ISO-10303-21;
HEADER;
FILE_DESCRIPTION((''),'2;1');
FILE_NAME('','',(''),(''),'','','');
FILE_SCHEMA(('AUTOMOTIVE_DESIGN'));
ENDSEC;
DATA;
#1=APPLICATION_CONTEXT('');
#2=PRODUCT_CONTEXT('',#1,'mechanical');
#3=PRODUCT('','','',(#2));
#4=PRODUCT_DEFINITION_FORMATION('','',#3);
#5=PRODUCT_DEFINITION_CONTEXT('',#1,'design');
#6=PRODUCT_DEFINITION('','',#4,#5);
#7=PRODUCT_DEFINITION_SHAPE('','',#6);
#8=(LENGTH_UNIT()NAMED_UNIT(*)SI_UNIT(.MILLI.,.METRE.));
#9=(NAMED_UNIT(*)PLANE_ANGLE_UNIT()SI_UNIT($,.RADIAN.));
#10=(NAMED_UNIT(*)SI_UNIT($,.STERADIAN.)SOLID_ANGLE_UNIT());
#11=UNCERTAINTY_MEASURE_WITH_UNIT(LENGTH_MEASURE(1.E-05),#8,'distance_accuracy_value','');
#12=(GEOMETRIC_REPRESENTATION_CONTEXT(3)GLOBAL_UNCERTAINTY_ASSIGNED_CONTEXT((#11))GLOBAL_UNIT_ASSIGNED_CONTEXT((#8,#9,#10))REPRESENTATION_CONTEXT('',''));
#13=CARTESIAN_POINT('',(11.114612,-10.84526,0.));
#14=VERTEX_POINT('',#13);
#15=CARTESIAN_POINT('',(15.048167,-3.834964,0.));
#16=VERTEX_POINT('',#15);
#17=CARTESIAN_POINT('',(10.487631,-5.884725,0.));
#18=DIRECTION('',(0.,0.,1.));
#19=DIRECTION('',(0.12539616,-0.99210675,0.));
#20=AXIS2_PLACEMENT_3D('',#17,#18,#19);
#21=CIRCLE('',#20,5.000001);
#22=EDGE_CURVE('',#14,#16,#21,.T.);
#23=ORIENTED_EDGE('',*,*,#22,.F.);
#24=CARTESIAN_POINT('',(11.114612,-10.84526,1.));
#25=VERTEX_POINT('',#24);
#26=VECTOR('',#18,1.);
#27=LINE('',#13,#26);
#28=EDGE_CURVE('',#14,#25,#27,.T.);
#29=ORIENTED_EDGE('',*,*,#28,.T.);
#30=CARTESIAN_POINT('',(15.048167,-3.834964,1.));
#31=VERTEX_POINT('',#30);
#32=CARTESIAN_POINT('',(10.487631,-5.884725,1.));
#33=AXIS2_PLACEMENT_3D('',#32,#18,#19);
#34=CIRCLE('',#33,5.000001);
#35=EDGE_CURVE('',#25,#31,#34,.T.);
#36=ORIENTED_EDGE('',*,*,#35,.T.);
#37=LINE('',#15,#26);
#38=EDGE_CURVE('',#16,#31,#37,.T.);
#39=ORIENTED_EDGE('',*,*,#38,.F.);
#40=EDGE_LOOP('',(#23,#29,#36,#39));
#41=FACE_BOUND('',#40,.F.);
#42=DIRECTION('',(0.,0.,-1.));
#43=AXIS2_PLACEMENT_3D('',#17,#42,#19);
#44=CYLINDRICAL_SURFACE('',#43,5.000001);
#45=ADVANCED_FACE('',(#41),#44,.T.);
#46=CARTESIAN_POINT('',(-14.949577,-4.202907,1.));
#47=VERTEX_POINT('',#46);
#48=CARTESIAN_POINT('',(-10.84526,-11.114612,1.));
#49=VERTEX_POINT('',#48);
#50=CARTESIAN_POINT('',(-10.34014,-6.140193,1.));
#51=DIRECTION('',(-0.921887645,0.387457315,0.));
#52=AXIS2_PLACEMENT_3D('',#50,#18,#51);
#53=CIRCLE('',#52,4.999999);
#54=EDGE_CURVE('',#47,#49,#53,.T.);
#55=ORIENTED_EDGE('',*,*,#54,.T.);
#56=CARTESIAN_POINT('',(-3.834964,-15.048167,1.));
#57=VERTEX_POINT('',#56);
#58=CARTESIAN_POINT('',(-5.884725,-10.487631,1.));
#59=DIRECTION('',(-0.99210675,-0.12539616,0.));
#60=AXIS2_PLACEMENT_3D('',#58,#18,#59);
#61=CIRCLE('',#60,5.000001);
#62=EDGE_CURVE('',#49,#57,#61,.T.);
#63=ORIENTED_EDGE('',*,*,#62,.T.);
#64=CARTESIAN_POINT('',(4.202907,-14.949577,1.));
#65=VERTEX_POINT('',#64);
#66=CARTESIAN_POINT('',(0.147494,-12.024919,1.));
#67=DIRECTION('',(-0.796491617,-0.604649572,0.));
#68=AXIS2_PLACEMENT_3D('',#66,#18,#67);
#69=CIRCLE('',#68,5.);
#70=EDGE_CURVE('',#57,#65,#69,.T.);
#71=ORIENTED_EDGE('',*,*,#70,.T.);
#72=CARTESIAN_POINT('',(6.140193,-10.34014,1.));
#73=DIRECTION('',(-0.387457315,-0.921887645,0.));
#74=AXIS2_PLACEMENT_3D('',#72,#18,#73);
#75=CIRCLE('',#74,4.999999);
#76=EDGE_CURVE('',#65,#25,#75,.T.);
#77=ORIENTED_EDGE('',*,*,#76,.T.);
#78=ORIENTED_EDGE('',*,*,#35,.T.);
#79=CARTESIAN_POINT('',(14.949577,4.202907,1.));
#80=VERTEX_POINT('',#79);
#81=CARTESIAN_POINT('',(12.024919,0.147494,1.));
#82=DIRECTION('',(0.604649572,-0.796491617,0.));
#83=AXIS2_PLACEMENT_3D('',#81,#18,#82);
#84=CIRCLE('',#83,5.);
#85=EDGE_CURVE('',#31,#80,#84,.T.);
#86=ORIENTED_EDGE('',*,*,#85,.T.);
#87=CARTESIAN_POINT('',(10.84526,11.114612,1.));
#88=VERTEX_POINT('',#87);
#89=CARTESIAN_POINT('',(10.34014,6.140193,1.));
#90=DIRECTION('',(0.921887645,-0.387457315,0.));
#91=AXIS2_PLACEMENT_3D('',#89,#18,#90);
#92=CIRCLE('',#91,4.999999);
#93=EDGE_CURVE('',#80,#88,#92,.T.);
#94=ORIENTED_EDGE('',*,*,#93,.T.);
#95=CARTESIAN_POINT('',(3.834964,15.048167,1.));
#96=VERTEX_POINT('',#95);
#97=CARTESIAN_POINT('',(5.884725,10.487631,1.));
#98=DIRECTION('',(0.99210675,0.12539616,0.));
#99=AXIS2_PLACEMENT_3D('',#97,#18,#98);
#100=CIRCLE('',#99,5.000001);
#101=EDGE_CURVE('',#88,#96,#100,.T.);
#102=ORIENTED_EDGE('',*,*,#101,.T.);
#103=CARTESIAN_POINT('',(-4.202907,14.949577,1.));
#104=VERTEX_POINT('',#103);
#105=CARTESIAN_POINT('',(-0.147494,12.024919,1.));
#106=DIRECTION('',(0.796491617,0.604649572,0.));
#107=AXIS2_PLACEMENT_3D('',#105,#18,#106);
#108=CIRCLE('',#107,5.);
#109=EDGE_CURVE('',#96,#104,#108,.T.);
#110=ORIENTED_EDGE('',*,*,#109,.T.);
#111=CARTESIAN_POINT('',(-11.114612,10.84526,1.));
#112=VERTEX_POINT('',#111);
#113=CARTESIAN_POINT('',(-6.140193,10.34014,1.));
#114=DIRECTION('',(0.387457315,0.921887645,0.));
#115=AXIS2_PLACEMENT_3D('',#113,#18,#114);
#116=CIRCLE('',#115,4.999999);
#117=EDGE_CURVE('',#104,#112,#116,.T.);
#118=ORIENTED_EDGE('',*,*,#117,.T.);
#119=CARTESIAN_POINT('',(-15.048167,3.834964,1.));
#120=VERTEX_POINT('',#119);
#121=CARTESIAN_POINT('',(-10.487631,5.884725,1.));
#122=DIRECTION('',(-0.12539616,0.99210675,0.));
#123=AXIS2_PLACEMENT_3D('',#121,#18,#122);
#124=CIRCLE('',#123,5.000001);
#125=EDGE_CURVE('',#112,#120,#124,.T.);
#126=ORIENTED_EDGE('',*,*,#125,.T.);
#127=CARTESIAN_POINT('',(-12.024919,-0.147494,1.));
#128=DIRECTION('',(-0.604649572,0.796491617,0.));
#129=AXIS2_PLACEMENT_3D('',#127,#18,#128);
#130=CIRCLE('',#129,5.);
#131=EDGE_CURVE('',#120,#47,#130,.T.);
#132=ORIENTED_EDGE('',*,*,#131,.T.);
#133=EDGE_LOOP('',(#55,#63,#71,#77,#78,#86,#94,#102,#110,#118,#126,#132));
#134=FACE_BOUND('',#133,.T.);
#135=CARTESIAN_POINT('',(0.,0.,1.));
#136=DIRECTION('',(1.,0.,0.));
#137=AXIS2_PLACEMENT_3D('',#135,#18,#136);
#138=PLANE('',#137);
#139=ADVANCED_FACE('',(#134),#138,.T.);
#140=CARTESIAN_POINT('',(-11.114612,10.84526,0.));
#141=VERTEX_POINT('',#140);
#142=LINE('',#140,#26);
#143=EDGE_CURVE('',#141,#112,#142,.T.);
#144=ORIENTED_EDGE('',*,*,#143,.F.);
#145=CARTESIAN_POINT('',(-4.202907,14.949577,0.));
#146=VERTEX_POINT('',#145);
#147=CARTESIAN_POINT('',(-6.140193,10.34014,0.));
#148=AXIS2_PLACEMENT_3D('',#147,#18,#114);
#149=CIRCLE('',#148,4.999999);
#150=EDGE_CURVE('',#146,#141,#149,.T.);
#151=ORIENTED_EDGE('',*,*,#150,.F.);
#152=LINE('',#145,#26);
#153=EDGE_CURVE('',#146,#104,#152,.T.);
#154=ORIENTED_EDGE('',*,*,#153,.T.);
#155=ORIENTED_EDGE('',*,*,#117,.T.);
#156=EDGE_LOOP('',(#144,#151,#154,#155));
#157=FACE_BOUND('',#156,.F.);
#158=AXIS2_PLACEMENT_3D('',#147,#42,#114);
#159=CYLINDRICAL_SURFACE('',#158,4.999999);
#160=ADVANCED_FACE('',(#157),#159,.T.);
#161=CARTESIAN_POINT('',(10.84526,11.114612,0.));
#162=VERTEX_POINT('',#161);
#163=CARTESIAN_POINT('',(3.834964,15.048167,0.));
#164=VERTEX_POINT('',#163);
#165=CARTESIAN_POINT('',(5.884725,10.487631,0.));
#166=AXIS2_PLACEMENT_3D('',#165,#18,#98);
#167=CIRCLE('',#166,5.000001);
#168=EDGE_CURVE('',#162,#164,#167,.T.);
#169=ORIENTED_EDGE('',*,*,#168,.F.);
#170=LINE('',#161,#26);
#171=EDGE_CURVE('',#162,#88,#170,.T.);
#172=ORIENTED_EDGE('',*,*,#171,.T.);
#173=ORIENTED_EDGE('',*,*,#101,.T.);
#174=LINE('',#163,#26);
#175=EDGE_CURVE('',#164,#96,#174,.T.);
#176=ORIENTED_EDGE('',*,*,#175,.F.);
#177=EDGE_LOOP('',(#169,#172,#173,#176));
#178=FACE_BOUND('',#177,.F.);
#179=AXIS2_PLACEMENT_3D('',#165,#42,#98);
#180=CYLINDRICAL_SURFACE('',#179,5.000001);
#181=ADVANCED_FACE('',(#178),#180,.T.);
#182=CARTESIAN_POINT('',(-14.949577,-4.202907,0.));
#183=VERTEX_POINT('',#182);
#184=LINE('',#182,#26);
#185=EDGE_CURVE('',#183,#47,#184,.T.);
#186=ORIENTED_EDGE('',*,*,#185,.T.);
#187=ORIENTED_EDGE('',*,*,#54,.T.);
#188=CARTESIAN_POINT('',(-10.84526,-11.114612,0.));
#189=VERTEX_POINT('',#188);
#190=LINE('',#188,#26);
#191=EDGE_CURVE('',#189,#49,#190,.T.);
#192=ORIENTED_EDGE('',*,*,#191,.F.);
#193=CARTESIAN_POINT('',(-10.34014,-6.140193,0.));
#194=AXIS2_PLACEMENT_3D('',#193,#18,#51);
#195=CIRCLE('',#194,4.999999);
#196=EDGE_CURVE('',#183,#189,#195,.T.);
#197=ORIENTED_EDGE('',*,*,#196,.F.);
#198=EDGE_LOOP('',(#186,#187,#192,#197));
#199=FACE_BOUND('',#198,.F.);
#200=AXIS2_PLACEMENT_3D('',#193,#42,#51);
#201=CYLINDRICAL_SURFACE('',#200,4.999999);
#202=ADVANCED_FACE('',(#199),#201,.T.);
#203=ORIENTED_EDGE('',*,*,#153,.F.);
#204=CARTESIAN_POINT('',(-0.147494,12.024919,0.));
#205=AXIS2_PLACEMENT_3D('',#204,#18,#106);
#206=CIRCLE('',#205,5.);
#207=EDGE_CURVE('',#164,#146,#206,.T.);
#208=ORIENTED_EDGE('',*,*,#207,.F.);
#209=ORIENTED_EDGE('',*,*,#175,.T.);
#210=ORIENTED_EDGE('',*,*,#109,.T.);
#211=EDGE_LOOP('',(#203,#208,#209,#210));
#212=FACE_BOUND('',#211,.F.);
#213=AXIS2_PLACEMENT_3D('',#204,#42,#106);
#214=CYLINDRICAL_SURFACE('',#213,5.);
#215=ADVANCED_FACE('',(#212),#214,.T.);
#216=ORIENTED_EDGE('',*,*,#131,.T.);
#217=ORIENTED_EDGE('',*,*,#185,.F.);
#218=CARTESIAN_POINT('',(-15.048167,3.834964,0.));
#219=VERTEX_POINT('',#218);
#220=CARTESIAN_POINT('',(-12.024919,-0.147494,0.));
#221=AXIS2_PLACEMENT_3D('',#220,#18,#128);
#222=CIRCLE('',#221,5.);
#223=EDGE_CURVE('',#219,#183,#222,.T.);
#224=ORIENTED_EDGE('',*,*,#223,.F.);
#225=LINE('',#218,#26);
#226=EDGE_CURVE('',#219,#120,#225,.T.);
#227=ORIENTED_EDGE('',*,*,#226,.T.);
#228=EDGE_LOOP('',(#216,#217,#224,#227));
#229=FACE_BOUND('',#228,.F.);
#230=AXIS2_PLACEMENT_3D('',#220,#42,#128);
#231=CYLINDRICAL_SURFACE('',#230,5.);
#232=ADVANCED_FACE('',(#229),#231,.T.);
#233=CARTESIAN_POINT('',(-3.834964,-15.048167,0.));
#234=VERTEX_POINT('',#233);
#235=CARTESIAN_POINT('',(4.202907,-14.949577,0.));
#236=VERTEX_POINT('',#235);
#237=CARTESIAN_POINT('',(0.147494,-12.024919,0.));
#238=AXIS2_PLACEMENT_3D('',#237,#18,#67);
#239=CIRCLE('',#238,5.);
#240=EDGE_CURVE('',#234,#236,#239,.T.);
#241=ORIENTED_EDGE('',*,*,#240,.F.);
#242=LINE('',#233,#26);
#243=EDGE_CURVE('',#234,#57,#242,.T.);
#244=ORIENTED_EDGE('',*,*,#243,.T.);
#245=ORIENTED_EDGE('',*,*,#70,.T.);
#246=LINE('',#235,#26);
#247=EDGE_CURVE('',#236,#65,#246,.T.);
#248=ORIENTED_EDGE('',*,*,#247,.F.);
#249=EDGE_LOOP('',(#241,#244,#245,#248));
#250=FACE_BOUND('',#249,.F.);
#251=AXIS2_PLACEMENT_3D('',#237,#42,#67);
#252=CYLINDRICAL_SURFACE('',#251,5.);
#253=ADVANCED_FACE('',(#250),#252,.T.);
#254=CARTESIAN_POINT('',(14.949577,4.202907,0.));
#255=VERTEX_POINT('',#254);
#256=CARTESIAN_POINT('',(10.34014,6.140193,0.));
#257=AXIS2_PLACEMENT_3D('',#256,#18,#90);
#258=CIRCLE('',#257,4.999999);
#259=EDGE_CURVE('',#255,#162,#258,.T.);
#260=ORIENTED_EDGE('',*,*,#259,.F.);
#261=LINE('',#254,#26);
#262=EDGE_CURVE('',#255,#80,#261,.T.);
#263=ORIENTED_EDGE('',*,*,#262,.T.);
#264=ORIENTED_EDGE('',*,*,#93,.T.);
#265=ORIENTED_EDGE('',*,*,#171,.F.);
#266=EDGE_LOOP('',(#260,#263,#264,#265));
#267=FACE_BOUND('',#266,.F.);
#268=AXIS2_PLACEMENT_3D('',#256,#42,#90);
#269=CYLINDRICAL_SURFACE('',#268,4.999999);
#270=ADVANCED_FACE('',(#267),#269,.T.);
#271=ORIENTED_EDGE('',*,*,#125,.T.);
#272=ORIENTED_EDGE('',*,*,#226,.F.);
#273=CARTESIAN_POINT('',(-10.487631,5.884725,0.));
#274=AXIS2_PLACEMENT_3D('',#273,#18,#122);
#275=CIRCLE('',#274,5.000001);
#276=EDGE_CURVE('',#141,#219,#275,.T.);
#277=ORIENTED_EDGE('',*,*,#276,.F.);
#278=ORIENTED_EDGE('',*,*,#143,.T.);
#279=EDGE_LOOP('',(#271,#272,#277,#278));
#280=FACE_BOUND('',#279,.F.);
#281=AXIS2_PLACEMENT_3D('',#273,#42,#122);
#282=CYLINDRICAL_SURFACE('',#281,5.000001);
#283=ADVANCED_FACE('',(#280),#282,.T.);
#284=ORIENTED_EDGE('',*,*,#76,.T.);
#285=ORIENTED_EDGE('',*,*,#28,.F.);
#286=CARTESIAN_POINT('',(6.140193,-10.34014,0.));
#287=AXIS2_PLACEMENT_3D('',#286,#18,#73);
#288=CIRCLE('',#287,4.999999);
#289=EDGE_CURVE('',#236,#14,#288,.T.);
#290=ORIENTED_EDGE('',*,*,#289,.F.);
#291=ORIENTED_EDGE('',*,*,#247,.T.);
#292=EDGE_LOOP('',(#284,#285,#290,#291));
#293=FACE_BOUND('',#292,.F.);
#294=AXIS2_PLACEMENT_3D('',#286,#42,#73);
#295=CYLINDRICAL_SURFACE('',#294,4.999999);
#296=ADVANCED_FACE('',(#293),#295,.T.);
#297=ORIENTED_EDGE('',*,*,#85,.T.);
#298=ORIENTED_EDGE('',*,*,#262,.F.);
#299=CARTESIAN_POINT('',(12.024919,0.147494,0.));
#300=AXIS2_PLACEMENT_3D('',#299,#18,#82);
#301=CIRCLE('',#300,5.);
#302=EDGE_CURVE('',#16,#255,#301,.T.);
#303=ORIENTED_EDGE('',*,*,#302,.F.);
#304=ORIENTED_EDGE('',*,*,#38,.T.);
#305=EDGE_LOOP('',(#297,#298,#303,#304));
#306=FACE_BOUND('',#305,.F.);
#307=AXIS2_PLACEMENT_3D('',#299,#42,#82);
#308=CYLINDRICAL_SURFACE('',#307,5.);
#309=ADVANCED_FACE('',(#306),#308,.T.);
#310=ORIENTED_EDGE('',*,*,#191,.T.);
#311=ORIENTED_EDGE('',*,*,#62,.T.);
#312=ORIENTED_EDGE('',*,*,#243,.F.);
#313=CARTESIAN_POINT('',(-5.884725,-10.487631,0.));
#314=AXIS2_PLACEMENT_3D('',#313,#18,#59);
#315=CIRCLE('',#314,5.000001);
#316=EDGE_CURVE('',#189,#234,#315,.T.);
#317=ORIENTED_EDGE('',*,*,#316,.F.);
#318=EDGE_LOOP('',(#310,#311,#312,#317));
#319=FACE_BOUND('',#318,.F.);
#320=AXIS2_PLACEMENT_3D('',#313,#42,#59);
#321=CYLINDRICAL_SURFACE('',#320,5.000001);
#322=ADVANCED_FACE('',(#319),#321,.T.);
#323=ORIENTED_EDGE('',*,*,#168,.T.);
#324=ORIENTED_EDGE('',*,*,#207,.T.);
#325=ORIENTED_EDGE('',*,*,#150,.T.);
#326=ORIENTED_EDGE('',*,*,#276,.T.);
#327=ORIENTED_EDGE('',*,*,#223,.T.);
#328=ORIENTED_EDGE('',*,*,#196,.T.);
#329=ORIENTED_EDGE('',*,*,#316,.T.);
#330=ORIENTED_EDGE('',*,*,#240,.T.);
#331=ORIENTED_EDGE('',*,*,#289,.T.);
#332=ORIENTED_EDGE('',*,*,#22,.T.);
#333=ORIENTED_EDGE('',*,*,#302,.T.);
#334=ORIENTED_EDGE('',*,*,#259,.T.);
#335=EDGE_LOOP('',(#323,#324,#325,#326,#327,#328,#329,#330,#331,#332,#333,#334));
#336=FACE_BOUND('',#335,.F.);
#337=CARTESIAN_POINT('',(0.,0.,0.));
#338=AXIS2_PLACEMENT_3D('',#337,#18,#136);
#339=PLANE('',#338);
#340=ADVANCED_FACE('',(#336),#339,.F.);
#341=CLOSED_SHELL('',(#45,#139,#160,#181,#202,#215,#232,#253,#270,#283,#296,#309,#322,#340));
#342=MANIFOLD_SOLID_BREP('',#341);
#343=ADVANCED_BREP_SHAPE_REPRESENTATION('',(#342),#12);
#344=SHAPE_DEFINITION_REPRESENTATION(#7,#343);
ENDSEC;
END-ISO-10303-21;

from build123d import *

# Parameters (mm, degrees)
F1_DEPTH = 1


with BuildPart() as f1:
    # F0 (on Top) → F1 (new body)
    with BuildSketch(Plane.XY):
        Polygon((11.114612, -10.84526), (15.048167, -3.834964), (14.949577, 4.202907), (10.84526, 11.114612), (3.834964, 15.048167), (-4.202907, 14.949577), (-11.114612, 10.84526), (-15.048167, 3.834964), (-14.949577, -4.202907), (-10.84526, -11.114612), (-3.834964, -15.048167), (4.202907, -14.949577), align=None)
        Polygon((2.15, 3.723909), (4.3, 0), (2.15, -3.723909), (-2.15, -3.723909), (-4.3, 0), (-2.15, 3.723909), align=None, mode=Mode.SUBTRACT)
        with BuildLine():
            ThreePointArc((-3.834964, -15.048167), (0.208817, -17.024543), (4.202907, -14.949577))
            Line((4.202907, -14.949577), (-3.834964, -15.048167))
        make_face()
        with BuildLine():
            ThreePointArc((-15.048167, 3.834964), (-17.024543, -0.208817), (-14.949577, -4.202907))
            Line((-14.949577, -4.202907), (-15.048167, 3.834964))
        make_face()
        with BuildLine():
            Line((10.84526, 11.114612), (14.949577, 4.202907))
            ThreePointArc((14.949577, 4.202907), (14.639278, 8.693113), (10.84526, 11.114612))
        make_face()
        with BuildLine():
            ThreePointArc((11.114612, -10.84526), (14.848095, -8.33143), (15.048167, -3.834964))
            Line((15.048167, -3.834964), (11.114612, -10.84526))
        make_face()
        with BuildLine():
            ThreePointArc((4.202907, -14.949577), (8.693113, -14.639278), (11.114612, -10.84526))
            Line((11.114612, -10.84526), (4.202907, -14.949577))
        make_face()
        with BuildLine():
            ThreePointArc((-10.84526, -11.114612), (-8.33143, -14.848095), (-3.834964, -15.048167))
            Line((-3.834964, -15.048167), (-10.84526, -11.114612))
        make_face()
        with BuildLine():
            ThreePointArc((-14.949577, -4.202907), (-14.639278, -8.693113), (-10.84526, -11.114612))
            Line((-10.84526, -11.114612), (-14.949577, -4.202907))
        make_face()
        with BuildLine():
            Line((-15.048167, 3.834964), (-11.114612, 10.84526))
            ThreePointArc((-11.114612, 10.84526), (-14.848095, 8.33143), (-15.048167, 3.834964))
        make_face()
        with BuildLine():
            Line((-4.202907, 14.949577), (3.834964, 15.048167))
            ThreePointArc((3.834964, 15.048167), (-0.208817, 17.024543), (-4.202907, 14.949577))
        make_face()
        with BuildLine():
            Line((3.834964, 15.048167), (10.84526, 11.114612))
            ThreePointArc((10.84526, 11.114612), (8.33143, 14.848095), (3.834964, 15.048167))
        make_face()
        with BuildLine():
            Line((14.949577, 4.202907), (15.048167, -3.834964))
            ThreePointArc((15.048167, -3.834964), (17.024543, 0.208817), (14.949577, 4.202907))
        make_face()
        Polygon((2.15, -3.723909), (4.3, 0), (2.15, 3.723909), (-2.15, 3.723909), (-4.3, 0), (-2.15, -3.723909), align=None)
        with BuildLine():
            Line((-11.114612, 10.84526), (-4.202907, 14.949577))
            ThreePointArc((-4.202907, 14.949577), (-8.693113, 14.639278), (-11.114612, 10.84526))
        make_face()
    extrude(amount=F1_DEPTH)


solid = f1.part
